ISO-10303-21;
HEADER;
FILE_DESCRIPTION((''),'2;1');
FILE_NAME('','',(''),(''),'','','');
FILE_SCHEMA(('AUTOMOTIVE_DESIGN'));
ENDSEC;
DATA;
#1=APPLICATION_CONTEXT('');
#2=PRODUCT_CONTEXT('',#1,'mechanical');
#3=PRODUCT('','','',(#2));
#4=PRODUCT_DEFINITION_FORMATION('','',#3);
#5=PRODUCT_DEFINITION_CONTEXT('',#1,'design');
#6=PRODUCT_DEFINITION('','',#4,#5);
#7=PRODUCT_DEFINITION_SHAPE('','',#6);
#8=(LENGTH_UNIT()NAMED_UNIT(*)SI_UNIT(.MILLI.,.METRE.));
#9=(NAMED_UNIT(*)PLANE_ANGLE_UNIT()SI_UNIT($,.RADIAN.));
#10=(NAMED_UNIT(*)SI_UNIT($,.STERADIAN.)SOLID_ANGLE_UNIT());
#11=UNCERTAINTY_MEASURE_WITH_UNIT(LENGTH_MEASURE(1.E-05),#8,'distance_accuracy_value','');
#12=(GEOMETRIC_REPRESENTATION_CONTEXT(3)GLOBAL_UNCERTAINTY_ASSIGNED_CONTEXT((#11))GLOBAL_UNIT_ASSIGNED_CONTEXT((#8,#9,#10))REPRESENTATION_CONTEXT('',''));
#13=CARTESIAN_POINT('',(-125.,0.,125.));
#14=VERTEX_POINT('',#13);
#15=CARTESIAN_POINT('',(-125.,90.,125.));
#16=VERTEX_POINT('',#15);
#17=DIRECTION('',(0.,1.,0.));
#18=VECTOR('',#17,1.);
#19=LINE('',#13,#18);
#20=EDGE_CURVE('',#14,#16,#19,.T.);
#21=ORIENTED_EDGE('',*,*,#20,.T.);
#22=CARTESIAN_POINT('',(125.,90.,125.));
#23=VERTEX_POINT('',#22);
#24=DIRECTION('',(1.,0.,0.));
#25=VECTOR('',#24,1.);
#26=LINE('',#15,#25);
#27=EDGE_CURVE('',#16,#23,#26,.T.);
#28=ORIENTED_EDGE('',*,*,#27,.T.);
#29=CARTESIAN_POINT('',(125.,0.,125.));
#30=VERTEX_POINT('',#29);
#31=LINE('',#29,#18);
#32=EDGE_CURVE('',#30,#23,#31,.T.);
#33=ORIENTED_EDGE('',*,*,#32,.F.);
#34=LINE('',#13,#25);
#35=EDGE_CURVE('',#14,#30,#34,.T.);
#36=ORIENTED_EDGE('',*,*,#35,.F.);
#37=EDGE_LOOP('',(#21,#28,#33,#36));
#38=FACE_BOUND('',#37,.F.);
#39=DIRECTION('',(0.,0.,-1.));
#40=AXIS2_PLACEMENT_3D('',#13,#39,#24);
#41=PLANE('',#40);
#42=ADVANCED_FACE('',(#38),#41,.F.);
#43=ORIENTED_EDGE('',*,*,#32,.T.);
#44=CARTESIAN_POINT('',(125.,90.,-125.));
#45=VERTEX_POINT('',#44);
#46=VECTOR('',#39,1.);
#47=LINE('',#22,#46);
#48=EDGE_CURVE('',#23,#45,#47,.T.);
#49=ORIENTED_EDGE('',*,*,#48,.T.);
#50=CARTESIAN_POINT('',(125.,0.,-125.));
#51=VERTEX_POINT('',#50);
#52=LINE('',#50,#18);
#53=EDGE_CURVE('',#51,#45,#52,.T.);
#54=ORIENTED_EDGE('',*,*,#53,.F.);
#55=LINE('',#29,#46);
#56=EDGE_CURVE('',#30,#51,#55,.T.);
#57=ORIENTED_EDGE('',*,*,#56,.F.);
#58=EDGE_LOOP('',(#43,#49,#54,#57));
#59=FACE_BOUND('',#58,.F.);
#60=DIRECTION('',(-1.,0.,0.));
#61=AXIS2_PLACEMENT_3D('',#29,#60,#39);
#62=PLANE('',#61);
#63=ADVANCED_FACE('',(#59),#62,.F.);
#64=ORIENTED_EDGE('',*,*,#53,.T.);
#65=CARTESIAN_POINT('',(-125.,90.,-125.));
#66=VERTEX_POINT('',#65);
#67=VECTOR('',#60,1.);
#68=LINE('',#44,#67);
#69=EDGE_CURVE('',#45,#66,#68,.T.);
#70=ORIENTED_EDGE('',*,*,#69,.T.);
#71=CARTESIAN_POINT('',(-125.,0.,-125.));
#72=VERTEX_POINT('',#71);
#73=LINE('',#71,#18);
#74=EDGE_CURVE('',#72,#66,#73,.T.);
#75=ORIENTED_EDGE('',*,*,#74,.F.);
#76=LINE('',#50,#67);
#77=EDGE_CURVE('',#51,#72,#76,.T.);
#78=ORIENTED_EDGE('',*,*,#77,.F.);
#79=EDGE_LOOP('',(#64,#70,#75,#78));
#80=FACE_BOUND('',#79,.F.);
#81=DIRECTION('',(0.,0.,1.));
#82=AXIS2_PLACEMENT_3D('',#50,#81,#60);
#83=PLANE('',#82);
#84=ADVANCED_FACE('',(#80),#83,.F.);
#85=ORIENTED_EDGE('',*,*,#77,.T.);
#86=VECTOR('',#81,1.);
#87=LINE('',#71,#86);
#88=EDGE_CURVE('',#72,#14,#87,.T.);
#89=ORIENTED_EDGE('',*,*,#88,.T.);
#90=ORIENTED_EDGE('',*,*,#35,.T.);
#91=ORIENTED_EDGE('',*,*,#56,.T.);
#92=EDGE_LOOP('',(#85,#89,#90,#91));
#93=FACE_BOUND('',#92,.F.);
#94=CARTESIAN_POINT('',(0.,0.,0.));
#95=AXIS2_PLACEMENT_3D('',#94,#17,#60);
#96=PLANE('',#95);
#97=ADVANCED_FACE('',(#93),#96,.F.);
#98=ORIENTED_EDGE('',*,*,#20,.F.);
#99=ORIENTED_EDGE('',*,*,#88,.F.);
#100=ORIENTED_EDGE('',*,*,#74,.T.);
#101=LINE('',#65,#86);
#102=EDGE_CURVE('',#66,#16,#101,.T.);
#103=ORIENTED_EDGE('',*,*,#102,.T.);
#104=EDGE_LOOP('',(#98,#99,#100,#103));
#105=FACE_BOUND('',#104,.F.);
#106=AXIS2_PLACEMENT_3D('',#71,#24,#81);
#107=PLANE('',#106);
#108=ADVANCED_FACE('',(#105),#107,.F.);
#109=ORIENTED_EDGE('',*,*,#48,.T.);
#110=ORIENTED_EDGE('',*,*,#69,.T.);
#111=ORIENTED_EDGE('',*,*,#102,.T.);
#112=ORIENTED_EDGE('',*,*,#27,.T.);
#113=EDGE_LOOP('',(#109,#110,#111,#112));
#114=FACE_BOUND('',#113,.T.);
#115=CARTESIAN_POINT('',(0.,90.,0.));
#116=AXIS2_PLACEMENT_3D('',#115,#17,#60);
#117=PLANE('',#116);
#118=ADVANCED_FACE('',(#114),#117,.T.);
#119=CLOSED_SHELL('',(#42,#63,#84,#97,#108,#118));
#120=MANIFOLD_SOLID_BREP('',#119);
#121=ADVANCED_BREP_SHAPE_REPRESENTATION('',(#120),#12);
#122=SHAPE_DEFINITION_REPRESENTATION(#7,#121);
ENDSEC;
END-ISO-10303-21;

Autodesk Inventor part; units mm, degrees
ref_plane "XZ Plane" through (0, 0, 0) normal (0, 1, 0) x (-1, 0, 0)
sketch "Эскиз1" plane through (0, 0, 0) normal (0, 1, 0) x (-1, 0, 0)
  line L0 (125, 125) -> (-125, 125)
  line L1 (-125, 125) -> (-125, -125)
  line L2 (-125, -125) -> (125, -125)
  line L3 (125, -125) -> (125, 125)
  line L4 (125, 125) -> (-125, -125) construction
  line L5 (-125, 125) -> (125, -125) construction
  point P0 (0, 0)
  dimension "d0" = 250
  dimension "d1" = 250
extrude "Выдавливание1" add sketch "Эскиз1" along normal blind 90
properties part number "столик"
